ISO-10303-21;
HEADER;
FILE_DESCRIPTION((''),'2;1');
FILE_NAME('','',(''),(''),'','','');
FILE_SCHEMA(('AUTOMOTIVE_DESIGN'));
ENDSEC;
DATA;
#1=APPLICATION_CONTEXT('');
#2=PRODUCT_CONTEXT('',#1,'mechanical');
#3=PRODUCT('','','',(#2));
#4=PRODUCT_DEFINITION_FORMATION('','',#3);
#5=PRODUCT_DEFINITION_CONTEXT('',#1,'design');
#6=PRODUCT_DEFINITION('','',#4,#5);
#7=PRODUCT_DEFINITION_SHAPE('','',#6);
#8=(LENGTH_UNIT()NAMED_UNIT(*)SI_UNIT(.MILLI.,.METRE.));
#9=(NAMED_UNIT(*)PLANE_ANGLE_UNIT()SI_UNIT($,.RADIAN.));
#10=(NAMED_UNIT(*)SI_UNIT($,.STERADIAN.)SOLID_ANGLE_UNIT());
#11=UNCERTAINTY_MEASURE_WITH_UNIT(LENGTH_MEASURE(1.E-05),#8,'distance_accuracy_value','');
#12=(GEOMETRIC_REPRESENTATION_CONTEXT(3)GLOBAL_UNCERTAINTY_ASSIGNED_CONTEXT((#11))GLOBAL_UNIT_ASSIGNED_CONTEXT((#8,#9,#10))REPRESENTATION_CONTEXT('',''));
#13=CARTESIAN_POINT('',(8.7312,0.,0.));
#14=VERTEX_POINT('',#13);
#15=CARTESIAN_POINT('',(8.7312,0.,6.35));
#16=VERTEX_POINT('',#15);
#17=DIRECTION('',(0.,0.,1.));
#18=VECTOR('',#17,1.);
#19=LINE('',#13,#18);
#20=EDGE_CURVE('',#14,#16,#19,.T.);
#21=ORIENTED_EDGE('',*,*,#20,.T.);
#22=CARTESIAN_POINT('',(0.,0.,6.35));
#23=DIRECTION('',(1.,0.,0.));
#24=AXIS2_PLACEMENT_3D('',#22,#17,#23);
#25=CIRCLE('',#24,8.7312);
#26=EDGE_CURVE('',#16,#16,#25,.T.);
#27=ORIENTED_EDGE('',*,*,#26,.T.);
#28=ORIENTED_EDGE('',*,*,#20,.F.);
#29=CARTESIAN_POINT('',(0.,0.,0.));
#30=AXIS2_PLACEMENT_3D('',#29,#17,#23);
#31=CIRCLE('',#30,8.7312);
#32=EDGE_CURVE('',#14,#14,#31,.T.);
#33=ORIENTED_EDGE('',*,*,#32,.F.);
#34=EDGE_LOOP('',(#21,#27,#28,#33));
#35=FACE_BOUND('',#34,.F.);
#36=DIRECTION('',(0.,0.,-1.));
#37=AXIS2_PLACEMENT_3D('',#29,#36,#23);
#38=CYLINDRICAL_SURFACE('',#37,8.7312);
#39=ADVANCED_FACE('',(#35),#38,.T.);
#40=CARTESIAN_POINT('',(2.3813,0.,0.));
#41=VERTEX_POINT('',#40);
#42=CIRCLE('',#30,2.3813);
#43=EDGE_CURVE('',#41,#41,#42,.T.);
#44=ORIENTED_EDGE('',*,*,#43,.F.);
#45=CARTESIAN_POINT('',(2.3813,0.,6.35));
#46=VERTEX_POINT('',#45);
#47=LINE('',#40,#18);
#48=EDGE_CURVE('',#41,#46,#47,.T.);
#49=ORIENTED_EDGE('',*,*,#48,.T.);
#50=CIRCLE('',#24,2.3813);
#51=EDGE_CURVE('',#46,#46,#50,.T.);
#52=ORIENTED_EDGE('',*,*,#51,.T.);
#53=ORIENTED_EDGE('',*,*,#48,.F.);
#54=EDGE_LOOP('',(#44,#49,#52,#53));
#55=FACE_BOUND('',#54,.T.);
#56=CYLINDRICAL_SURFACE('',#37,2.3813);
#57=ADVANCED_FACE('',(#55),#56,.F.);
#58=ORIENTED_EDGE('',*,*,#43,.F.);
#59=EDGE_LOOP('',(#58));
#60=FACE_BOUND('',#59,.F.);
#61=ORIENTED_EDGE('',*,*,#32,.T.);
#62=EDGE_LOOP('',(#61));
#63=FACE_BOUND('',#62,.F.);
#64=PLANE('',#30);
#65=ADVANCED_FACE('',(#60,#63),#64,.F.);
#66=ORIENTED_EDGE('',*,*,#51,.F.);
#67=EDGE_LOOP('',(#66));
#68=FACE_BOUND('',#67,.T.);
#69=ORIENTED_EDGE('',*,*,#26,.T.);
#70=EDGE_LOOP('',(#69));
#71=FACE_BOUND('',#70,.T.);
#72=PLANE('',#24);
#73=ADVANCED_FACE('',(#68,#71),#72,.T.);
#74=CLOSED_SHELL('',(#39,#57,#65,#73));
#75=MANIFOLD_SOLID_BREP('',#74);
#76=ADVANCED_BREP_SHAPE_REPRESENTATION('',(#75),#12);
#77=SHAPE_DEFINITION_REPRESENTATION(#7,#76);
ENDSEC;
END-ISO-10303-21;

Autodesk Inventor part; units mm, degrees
ref_plane "YZ Plane" through (0, 0, 0) normal (1, 0, 0) x (0, 1, 0)
ref_plane "XZ Plane" through (0, 0, 0) normal (0, 1, 0) x (-1, 0, 0)
ref_plane "XY Plane" through (0, 0, 0) normal (0, 0, 1) x (1, 0, 0)
sketch "Sketch1" plane through (0, 0, 0) normal (0, 0, 1) x (1, 0, 0)
  circle A0 centre (0, 0) radius 2.3813
  circle A1 centre (0, 0) radius 8.7312
  dimension "d0" = 17.4625
  dimension "d1" = 4.7625
extrude "Extrusion1" add sketch "Sketch1" along normal blind 6.35
properties part number "1601_bearing"
